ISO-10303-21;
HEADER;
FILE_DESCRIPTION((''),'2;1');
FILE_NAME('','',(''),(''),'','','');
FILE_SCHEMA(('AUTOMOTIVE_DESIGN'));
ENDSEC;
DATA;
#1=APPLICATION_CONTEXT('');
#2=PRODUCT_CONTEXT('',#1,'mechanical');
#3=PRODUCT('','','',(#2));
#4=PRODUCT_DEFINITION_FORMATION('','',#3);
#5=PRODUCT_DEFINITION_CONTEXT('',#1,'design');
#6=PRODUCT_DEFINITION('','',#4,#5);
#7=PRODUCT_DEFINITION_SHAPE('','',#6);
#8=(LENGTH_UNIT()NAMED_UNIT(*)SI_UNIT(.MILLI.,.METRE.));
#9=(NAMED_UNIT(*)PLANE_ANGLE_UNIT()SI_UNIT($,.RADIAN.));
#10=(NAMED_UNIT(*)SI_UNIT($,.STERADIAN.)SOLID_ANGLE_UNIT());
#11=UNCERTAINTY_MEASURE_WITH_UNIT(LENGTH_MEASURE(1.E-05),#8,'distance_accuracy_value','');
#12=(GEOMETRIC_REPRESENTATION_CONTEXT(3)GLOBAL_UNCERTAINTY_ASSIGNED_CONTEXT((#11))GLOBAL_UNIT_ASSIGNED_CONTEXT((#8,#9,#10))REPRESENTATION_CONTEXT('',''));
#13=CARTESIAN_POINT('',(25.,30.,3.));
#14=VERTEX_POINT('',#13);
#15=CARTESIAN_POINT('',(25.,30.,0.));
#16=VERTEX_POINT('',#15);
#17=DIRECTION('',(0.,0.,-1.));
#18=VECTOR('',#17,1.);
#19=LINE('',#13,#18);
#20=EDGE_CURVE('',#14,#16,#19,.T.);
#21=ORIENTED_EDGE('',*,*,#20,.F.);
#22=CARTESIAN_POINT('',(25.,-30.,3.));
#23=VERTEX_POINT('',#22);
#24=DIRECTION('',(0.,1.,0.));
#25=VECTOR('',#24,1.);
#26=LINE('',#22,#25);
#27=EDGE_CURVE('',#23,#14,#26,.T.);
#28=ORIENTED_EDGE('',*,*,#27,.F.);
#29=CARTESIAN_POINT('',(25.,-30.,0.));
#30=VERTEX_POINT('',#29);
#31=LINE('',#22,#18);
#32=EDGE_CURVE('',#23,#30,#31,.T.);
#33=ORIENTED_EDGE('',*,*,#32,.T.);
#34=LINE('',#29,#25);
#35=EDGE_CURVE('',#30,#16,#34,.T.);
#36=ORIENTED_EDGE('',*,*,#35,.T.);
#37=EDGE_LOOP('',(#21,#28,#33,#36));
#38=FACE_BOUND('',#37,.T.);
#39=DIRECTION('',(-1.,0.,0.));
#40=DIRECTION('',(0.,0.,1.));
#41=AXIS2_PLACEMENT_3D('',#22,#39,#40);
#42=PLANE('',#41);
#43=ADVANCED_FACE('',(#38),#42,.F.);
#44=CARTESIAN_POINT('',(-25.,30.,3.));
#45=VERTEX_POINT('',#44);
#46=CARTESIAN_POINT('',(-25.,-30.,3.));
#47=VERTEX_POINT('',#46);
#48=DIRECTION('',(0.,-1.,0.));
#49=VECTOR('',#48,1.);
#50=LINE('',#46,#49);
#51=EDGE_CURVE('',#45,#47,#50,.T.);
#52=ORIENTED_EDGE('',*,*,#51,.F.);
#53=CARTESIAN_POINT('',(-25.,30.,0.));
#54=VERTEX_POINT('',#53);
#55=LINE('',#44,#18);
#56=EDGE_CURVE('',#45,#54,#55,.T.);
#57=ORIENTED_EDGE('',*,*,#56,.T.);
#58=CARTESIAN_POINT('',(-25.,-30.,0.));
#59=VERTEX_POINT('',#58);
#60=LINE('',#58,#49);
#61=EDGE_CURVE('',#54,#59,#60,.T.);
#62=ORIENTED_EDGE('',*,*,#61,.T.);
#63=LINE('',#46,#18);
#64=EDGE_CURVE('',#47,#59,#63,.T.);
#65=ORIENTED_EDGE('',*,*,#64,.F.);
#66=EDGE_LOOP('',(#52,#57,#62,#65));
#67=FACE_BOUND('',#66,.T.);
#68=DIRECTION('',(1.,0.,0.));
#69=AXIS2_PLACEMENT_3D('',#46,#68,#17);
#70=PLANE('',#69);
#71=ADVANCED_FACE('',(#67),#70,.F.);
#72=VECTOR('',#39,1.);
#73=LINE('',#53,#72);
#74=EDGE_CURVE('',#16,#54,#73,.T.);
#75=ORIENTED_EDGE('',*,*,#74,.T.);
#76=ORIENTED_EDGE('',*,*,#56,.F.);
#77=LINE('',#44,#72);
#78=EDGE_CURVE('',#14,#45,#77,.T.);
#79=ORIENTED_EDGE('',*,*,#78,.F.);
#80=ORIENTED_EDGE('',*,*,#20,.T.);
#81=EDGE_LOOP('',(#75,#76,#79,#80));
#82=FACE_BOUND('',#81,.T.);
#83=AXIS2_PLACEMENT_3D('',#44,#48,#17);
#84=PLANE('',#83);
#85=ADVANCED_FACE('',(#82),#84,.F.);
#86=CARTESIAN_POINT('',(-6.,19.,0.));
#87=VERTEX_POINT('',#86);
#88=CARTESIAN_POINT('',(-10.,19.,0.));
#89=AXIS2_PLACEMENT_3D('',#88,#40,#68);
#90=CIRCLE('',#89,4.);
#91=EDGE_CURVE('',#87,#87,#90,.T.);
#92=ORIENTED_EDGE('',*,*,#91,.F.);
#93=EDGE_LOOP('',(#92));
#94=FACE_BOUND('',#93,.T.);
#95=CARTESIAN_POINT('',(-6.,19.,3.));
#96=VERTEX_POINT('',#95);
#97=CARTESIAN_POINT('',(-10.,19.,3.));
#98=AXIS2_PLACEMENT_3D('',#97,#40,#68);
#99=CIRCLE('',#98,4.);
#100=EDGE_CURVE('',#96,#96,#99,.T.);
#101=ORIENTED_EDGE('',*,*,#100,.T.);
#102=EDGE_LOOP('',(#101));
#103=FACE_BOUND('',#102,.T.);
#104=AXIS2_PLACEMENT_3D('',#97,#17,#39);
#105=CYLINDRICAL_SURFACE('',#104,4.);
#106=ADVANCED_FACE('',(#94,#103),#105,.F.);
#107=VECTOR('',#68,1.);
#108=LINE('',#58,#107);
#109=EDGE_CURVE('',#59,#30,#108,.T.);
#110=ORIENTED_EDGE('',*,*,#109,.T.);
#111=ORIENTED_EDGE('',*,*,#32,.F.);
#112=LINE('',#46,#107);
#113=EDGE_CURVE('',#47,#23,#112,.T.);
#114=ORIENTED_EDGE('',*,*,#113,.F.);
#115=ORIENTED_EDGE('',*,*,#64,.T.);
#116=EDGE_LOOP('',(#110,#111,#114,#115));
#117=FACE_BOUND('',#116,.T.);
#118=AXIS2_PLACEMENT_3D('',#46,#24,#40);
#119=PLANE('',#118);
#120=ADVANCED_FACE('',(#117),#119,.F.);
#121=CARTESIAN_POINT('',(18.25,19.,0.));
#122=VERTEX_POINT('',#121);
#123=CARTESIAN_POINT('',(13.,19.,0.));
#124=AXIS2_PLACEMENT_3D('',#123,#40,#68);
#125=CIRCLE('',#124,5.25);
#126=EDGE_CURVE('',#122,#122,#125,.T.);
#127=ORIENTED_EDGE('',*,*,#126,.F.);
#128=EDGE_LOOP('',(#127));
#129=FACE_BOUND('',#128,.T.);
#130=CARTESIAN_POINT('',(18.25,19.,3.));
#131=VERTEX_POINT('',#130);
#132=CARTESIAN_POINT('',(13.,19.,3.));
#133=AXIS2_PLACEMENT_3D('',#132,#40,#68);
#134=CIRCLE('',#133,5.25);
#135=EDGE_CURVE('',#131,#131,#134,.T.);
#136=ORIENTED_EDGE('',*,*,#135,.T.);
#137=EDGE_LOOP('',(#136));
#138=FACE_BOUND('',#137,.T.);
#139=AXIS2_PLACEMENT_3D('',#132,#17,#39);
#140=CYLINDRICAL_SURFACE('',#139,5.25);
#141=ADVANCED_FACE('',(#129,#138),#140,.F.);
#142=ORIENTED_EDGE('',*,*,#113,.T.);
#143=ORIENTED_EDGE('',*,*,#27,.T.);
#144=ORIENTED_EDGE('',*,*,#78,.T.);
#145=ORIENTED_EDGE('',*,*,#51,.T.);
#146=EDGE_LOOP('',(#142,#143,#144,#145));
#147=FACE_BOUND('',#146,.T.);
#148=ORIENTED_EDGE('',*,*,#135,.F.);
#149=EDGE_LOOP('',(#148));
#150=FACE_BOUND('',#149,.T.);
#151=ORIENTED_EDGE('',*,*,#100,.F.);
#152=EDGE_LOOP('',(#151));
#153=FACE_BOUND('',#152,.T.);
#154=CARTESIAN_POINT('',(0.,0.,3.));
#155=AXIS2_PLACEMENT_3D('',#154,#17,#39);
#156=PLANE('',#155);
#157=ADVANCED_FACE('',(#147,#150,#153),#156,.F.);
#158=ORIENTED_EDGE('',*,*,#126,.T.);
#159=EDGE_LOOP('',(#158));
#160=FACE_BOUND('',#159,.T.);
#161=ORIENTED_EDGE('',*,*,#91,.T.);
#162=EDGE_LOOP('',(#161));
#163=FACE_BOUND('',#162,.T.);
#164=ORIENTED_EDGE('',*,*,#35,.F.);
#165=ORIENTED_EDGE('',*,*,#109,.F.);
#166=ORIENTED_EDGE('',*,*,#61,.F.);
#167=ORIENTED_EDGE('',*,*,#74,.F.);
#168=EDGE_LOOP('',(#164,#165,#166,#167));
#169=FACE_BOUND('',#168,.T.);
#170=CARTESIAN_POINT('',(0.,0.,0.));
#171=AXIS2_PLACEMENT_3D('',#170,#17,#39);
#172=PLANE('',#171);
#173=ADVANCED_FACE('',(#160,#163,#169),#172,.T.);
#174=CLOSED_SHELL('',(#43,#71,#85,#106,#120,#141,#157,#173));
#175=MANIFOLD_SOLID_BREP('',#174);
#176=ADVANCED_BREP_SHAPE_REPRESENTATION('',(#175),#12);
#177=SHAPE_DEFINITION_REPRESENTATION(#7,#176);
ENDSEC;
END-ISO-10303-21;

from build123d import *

# Parameters (mm, degrees)
SKETCH1_W           = 50
SKETCH1_H           = 60
SKETCH1_R           = 4
BOSS_EXTRUDE1_DEPTH = 3
SKETCH2_R           = 5.25
CUT_EXTRUDE2_DEPTH  = 40.166312055


with BuildPart() as part:
    # Sketch1 → Boss-Extrude1 (new body)
    with BuildSketch(Plane.XY):
        Rectangle(SKETCH1_W, SKETCH1_H)
        with Locations((-10, 19)):
            Circle(SKETCH1_R, mode=Mode.SUBTRACT)
    extrude(amount=BOSS_EXTRUDE1_DEPTH)

    # Sketch2 → Cut-Extrude2 (cut, through all)
    with BuildSketch(Plane.XY):
        with Locations((13, 19)):
            Circle(SKETCH2_R)
    extrude(amount=CUT_EXTRUDE2_DEPTH, mode=Mode.SUBTRACT)


solid = part.part
